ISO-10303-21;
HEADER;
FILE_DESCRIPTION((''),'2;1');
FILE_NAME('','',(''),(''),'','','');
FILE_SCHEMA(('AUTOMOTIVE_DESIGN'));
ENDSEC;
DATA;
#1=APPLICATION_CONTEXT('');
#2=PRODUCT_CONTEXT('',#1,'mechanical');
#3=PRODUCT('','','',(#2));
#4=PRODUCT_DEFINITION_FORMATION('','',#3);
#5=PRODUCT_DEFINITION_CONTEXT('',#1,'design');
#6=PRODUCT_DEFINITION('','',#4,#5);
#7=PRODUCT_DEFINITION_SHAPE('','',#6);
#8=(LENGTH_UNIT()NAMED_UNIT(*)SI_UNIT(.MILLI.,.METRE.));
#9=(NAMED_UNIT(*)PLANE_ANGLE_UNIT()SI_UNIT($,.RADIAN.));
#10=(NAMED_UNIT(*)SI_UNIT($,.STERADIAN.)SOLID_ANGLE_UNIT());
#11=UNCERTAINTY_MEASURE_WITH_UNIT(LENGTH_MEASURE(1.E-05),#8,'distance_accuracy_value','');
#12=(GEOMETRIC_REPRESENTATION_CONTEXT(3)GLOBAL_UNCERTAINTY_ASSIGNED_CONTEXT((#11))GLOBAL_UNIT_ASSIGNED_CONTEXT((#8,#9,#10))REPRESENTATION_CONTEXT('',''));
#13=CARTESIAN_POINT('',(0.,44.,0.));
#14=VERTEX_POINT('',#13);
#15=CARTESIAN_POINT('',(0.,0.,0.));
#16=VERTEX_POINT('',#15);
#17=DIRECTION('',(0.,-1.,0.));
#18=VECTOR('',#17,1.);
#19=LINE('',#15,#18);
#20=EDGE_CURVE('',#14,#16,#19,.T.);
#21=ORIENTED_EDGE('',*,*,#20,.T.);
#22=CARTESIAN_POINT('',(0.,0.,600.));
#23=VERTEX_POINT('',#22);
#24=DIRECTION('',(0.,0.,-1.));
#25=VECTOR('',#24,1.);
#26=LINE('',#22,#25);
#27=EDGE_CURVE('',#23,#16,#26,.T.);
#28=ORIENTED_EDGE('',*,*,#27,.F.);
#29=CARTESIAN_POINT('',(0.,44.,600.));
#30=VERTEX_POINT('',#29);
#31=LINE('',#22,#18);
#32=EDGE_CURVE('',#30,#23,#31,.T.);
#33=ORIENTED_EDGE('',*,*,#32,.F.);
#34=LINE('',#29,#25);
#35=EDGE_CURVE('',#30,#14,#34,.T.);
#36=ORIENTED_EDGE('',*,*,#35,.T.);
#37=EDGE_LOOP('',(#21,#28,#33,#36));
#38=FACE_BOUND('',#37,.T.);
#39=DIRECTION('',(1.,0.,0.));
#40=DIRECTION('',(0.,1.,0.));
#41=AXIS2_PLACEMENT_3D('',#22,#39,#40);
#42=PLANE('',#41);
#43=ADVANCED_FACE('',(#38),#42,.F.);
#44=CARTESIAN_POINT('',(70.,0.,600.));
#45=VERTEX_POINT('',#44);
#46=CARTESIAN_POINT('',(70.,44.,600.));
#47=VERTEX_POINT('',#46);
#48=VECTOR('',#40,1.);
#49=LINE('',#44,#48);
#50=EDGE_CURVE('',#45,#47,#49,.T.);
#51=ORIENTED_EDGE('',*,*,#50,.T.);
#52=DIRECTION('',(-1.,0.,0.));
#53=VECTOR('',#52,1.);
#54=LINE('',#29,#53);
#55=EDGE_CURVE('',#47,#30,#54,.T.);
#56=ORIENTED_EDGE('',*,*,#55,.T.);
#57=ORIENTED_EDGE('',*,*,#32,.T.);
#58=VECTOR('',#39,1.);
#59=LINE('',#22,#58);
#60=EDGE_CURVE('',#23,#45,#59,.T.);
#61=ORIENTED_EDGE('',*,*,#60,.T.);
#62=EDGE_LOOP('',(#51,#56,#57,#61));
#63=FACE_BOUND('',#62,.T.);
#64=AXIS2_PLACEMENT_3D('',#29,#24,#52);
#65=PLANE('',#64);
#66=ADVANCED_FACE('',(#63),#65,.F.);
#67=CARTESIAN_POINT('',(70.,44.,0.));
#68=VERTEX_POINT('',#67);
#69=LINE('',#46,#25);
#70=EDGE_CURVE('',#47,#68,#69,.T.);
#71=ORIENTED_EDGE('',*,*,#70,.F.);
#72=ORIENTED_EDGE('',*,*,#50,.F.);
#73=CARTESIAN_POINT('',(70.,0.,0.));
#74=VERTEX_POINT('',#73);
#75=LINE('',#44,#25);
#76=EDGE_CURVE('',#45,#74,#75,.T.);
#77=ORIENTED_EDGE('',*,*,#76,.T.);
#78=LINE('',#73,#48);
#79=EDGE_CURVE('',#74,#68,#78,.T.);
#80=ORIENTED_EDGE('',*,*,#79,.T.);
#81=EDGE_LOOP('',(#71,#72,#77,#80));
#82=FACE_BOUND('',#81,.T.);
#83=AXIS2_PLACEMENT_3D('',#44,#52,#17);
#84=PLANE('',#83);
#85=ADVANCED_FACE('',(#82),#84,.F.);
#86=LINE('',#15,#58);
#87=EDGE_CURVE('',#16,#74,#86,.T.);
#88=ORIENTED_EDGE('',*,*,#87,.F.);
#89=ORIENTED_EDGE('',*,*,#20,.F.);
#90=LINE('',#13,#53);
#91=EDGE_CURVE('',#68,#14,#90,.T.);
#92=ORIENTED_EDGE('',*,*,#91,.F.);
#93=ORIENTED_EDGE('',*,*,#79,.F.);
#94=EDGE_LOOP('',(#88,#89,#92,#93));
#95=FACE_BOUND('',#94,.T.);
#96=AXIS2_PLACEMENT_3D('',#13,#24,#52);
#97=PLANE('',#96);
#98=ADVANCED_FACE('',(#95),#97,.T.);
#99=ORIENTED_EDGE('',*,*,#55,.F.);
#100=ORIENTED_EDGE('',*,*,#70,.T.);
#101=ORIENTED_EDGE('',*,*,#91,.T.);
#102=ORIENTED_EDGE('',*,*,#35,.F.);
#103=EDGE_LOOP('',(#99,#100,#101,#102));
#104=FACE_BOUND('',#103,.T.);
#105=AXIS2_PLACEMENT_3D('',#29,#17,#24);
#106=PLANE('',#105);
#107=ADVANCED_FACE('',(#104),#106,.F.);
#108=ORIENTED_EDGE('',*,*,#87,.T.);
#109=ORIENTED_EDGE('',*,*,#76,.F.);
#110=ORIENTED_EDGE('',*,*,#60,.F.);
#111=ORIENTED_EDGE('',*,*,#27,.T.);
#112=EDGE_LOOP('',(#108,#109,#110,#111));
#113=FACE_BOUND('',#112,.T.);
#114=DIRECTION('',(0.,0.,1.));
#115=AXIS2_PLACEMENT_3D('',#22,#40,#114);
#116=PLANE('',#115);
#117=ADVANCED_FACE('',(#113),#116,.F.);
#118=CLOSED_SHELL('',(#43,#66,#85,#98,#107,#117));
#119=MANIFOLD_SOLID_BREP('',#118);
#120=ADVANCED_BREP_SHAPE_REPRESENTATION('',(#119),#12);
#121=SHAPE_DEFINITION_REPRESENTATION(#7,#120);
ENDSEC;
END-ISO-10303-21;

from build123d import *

# Parameters (mm, degrees)
SKETCH2_W      = 70
SKETCH2_H      = 44
EXTRUDE1_DEPTH = 600


with BuildPart() as part:
    # Sketch2 → Extrude1 (new body)
    with BuildSketch(Plane.XY):
        with Locations((35, 22)):
            Rectangle(SKETCH2_W, SKETCH2_H)
    extrude(amount=EXTRUDE1_DEPTH)


solid = part.part
